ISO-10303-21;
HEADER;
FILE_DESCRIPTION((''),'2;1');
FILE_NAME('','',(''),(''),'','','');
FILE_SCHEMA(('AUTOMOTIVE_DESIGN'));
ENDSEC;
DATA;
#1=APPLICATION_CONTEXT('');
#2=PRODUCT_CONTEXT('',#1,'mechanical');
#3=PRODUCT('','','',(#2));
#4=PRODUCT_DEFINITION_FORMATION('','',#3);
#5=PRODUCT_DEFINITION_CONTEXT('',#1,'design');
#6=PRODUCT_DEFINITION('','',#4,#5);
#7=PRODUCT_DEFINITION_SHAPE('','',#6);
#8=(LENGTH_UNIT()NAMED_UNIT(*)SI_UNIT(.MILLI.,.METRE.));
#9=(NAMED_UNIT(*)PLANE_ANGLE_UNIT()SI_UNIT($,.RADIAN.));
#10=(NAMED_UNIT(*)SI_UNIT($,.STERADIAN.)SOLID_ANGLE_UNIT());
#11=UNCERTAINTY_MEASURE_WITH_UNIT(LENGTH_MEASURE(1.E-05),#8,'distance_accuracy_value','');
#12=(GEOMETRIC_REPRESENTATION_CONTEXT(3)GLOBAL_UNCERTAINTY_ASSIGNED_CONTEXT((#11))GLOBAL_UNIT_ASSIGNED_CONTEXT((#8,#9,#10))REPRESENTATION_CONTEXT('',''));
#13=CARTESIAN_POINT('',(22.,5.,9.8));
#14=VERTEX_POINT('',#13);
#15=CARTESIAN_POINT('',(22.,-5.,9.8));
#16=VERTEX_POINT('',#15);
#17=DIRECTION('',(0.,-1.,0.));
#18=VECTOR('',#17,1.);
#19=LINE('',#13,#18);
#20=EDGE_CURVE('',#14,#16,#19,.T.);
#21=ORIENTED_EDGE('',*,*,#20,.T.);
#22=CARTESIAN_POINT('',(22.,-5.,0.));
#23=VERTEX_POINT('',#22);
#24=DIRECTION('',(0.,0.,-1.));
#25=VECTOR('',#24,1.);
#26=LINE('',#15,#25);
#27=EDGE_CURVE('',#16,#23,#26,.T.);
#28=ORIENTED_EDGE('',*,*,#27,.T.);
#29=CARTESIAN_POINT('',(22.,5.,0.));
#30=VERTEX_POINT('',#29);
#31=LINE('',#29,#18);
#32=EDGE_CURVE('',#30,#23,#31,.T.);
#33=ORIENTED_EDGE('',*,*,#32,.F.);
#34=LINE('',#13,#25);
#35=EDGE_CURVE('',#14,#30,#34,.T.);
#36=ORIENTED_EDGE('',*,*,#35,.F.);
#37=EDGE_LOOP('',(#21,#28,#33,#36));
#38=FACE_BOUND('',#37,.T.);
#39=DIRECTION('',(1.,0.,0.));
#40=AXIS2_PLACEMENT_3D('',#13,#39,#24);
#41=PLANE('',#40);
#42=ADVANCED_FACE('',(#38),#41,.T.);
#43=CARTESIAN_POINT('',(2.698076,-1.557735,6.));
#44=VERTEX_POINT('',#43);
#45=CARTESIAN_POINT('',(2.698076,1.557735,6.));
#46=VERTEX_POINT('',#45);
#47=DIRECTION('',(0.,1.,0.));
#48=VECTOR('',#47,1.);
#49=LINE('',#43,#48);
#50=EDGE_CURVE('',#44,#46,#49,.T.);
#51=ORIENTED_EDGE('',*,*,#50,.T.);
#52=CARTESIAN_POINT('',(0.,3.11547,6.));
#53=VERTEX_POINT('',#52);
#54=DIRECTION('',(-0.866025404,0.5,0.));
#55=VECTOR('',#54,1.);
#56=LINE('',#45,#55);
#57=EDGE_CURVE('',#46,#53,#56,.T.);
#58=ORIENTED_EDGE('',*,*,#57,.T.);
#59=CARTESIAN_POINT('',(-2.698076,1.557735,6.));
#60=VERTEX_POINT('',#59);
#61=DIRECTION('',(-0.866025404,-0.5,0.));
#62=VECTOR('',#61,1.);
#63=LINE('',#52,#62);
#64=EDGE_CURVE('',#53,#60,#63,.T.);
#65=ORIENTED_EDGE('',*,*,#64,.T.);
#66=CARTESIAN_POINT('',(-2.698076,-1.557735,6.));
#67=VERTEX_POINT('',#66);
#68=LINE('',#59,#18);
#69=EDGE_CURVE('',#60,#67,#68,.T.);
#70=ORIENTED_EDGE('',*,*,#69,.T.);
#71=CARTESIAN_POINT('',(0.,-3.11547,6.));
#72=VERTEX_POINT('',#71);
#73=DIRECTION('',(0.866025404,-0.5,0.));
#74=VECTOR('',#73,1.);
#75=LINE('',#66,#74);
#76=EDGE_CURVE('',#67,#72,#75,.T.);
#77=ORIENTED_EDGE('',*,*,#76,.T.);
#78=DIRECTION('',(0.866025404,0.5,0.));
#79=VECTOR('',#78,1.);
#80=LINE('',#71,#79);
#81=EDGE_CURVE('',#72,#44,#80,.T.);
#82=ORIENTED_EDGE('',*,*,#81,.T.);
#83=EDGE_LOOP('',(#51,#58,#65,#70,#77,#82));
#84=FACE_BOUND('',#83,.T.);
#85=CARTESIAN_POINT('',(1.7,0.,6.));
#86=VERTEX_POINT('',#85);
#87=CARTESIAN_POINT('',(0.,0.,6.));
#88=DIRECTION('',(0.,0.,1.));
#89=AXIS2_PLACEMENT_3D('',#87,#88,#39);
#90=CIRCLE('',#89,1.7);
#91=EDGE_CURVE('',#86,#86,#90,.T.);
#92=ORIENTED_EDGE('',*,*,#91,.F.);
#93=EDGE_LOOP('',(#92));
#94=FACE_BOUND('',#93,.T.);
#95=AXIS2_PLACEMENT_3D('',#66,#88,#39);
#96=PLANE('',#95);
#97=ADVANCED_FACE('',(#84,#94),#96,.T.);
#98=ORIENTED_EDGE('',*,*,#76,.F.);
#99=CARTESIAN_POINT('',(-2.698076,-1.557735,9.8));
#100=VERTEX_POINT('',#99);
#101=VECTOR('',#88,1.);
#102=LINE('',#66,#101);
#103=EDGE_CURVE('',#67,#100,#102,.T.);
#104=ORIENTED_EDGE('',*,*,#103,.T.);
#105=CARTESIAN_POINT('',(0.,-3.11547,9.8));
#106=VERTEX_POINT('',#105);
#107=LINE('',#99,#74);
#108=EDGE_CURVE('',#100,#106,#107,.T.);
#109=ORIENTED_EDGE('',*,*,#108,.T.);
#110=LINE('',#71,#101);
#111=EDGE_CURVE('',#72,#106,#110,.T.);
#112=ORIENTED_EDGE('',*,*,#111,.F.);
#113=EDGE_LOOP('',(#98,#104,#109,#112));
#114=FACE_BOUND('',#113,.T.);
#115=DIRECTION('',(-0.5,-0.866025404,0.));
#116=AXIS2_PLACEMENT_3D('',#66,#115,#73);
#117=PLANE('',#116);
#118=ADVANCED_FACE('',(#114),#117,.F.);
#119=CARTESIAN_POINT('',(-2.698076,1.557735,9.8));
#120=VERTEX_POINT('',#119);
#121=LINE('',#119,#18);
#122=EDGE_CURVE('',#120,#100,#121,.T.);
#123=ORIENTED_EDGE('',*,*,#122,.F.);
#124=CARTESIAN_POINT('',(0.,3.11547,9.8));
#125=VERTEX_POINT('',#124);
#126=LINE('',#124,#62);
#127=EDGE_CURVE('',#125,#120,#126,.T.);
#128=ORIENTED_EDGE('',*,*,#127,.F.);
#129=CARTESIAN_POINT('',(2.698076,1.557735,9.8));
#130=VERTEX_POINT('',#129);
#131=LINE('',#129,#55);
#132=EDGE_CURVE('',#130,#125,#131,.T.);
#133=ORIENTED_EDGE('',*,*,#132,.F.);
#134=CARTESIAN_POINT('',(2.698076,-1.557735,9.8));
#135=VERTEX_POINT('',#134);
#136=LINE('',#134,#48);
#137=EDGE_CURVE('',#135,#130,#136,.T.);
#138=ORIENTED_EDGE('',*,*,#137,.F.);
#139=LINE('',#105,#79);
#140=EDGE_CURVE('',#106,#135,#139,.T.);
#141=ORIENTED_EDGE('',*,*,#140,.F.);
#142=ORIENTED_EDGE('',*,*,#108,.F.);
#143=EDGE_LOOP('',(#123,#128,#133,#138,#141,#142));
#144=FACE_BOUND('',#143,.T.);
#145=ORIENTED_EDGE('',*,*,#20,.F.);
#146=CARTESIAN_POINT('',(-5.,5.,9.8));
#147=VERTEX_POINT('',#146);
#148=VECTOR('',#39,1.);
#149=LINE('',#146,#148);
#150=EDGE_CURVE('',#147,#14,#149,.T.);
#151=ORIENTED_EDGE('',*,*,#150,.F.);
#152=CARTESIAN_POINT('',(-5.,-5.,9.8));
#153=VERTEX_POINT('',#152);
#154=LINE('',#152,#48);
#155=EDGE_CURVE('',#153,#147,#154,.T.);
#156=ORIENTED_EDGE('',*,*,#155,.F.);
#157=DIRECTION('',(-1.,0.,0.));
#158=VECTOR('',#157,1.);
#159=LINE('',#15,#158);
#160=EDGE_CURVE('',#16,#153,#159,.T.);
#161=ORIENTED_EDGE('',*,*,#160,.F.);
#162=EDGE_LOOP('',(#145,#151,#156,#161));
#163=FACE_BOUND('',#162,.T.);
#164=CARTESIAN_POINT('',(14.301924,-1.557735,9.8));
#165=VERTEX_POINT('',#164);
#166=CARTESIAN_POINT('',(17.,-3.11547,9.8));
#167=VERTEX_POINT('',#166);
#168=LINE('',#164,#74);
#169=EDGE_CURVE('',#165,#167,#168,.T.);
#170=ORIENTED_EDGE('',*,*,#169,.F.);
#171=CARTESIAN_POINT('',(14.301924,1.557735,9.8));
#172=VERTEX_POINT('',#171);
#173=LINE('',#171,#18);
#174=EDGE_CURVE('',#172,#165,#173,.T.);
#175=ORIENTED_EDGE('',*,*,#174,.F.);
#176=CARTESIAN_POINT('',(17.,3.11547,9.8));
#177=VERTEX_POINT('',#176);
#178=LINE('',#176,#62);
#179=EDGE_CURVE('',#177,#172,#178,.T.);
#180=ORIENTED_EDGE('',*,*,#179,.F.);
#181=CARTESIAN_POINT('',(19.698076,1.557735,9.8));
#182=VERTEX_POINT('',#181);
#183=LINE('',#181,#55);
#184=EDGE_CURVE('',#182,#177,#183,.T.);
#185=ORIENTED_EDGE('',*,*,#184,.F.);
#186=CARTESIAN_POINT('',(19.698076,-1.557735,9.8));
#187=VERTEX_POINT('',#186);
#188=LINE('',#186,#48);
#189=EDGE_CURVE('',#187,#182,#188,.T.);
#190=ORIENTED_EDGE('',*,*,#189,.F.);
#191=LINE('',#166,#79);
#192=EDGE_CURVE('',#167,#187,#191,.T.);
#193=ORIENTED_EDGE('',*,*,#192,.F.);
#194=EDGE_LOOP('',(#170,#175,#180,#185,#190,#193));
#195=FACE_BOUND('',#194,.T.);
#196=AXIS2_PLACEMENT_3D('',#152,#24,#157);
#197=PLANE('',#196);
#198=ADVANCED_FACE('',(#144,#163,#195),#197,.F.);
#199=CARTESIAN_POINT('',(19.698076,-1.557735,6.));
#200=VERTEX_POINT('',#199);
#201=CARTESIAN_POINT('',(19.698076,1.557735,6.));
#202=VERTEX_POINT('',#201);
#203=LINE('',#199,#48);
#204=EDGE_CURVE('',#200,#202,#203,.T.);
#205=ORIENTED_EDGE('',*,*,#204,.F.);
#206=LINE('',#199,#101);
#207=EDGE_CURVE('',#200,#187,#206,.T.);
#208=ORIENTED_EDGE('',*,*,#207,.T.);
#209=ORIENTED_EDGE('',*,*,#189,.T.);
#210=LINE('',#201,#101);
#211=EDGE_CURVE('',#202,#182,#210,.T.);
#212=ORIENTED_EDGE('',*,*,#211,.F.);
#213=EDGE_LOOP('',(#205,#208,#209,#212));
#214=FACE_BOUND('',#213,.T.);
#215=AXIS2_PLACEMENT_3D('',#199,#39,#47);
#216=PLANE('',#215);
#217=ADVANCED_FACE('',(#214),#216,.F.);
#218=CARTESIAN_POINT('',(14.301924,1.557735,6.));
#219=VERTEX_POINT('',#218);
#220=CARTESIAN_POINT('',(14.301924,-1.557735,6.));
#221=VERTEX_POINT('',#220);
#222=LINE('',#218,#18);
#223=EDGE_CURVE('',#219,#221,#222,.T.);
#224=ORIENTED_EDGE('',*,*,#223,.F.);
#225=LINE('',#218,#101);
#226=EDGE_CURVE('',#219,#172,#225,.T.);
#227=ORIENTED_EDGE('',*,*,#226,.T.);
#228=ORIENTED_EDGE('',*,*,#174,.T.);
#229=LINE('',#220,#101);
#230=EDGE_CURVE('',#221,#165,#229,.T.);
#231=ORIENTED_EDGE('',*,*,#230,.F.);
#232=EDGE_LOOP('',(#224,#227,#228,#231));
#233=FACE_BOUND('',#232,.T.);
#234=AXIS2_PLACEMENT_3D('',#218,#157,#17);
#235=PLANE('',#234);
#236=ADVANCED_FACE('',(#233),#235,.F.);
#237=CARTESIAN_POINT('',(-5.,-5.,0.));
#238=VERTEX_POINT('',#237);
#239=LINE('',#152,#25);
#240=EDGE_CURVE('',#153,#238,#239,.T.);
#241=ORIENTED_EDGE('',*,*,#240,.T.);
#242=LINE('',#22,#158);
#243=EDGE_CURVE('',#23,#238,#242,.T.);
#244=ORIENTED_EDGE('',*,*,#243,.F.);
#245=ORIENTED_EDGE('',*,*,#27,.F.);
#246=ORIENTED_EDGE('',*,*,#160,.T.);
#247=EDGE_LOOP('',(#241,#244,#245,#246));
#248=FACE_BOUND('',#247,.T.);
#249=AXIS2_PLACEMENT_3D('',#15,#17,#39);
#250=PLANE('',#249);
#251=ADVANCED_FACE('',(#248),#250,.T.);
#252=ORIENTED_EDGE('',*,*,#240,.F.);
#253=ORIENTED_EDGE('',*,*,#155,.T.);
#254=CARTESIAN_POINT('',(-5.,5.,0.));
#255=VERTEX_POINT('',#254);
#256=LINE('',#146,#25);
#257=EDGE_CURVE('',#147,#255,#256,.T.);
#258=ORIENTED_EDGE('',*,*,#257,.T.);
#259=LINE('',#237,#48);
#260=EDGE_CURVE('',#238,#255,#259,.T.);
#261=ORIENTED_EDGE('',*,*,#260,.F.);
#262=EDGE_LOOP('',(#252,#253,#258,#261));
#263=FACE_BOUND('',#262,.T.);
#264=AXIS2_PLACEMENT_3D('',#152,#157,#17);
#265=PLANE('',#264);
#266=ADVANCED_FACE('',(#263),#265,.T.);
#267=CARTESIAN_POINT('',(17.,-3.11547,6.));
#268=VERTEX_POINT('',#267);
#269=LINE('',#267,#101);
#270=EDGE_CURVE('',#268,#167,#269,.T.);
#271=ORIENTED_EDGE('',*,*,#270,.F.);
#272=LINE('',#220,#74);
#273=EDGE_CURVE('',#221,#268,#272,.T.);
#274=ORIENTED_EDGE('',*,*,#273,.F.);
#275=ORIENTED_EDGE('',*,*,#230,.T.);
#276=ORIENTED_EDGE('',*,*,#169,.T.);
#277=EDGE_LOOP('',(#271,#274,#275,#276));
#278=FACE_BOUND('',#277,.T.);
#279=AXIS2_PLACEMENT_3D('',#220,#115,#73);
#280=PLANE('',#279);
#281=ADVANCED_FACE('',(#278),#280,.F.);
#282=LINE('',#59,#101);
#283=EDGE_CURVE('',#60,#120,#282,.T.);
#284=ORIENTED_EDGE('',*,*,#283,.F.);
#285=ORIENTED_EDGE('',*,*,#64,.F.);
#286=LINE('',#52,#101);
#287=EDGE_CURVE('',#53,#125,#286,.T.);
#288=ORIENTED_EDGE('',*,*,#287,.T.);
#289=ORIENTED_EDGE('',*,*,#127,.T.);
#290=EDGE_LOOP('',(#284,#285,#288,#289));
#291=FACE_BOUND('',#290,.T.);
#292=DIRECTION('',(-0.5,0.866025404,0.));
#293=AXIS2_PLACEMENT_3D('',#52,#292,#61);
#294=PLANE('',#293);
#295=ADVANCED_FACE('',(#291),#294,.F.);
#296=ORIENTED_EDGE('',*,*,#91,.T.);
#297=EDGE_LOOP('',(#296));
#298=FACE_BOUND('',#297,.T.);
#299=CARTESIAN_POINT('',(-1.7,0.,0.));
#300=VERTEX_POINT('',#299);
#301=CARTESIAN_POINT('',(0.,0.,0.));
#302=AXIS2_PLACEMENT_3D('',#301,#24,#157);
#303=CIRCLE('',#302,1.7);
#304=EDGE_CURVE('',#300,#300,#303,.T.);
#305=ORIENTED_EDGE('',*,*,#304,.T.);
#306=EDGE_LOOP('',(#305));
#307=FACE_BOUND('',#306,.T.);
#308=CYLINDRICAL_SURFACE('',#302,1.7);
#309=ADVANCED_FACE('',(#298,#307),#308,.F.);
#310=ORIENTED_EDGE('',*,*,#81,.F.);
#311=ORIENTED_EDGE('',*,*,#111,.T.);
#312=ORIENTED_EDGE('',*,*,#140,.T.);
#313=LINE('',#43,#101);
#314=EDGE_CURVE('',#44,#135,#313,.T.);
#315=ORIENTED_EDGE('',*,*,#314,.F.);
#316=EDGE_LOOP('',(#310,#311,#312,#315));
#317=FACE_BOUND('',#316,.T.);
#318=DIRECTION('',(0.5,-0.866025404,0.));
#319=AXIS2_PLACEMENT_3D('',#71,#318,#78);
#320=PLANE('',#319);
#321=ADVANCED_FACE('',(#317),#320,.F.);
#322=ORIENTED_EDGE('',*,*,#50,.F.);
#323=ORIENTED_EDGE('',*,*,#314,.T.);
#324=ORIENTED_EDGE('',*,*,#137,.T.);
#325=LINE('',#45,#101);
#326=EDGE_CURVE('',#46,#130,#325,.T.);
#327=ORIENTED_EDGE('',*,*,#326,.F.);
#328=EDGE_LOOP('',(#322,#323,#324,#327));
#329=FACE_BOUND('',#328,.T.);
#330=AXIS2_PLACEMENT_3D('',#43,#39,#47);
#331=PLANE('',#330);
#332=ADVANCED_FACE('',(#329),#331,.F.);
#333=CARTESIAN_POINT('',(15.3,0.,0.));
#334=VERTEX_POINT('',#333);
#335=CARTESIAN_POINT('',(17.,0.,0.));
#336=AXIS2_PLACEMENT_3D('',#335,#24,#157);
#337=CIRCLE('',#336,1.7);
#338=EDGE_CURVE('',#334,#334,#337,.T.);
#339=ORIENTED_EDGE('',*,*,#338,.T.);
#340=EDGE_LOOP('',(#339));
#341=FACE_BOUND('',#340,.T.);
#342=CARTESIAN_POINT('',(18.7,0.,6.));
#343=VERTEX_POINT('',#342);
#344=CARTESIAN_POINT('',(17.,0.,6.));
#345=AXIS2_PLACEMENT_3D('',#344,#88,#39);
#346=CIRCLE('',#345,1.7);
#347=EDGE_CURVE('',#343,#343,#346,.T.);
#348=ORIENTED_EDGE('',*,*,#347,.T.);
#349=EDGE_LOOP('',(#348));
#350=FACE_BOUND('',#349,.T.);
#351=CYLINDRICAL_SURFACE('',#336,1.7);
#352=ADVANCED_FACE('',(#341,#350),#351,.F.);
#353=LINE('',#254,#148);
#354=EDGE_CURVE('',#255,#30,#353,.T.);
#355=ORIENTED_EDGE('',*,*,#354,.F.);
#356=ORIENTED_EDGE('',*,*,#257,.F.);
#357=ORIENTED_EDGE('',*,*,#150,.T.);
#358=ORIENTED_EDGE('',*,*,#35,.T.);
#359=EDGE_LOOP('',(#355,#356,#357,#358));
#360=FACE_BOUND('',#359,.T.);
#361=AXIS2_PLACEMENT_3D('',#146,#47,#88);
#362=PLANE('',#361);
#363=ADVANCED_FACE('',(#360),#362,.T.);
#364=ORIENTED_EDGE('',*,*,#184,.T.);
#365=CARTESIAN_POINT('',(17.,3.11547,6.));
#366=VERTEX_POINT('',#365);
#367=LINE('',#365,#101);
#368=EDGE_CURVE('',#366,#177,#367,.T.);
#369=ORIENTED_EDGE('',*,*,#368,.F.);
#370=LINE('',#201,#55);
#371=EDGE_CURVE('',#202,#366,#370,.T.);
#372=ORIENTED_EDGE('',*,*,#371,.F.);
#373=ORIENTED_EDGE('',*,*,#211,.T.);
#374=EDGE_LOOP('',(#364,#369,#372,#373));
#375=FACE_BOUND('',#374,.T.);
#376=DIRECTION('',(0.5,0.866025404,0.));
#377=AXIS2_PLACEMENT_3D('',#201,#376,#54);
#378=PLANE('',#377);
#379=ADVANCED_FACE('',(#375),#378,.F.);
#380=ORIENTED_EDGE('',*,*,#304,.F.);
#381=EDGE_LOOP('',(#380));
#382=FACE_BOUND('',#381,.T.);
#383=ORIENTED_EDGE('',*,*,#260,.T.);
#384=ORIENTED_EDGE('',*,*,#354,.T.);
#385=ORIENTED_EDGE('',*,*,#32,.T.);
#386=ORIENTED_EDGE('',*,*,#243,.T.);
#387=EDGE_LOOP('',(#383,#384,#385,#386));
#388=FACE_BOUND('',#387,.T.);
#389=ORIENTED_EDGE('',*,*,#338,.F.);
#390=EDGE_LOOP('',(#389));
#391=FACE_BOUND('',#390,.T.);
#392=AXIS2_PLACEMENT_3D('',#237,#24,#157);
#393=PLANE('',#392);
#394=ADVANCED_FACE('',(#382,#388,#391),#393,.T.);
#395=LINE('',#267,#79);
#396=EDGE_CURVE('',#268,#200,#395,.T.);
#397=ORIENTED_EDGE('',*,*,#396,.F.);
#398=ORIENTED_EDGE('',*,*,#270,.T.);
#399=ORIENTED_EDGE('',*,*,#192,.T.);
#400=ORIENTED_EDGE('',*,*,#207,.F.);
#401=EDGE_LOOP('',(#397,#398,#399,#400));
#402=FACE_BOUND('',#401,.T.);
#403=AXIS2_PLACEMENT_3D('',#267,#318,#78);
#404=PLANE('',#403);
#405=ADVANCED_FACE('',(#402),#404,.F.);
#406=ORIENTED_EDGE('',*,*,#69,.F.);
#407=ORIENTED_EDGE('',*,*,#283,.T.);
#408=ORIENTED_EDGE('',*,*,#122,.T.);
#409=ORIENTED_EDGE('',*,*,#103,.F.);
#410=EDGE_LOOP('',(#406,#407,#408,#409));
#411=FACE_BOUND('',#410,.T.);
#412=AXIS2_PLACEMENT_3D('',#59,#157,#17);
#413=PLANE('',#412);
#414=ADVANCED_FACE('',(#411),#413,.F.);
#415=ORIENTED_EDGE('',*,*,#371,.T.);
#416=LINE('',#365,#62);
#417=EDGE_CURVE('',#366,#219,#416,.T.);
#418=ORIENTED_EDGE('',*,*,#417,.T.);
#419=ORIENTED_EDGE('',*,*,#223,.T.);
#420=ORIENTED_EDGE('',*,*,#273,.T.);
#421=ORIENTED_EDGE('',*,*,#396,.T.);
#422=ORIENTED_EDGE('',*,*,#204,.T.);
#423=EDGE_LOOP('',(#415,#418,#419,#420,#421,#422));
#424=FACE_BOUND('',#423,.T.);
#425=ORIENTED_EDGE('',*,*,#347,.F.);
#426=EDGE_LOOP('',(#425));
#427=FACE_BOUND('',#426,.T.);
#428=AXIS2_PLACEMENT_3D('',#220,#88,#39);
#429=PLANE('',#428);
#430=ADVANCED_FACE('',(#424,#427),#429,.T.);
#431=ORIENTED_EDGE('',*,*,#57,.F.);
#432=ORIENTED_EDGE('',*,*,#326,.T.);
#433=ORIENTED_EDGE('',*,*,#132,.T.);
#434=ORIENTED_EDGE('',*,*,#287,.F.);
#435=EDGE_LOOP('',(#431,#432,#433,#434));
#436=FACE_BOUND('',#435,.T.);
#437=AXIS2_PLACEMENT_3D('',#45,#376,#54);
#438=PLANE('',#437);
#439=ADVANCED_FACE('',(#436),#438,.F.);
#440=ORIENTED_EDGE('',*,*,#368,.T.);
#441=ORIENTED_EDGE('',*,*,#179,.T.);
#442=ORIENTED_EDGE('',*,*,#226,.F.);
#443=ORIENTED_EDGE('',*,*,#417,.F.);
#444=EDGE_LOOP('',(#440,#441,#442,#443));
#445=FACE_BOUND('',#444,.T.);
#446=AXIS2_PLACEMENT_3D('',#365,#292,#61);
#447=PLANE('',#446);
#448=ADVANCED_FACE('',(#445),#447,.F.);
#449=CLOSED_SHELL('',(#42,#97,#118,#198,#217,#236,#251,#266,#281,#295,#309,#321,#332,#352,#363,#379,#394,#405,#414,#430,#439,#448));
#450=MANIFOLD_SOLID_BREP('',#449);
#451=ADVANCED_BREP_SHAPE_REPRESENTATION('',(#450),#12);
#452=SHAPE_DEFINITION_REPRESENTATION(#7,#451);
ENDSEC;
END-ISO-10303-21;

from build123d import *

# Parameters (mm, degrees)
SKETCH1_W           = 27
SKETCH1_H           = 10
BOSS_EXTRUDE1_DEPTH = 9.8
CUT_EXTRUDE1_DEPTH  = 3.8
CUT_EXTRUDE2_DEPTH  = 3.8
HOLE1_D             = 3.4
HOLE1_DEPTH         = 9.8
HOLE2_D             = 3.4
HOLE2_DEPTH         = 9.8


with BuildPart() as part:
    # Sketch1 → Boss-Extrude1 (new body)
    with BuildSketch(Plane(origin=(0, 0, 0), x_dir=(-1, 0, 0), z_dir=(0, 0, -1))):
        with Locations((-8.5, 0)):
            Rectangle(SKETCH1_W, SKETCH1_H)
    extrude(amount=-BOSS_EXTRUDE1_DEPTH)

    # Sketch2 → Cut-Extrude1 (cut)
    with BuildSketch(Plane.XY.offset(9.8)):
        Polygon((-2.698076211, -1.557735027), (0, -3.115470054), (2.698076211, -1.557735027), (2.698076211, 1.557735027), (0, 3.115470054), (-2.698076211, 1.557735027), align=None)
    extrude(amount=-CUT_EXTRUDE1_DEPTH, mode=Mode.SUBTRACT)

    # Sketch3 → Cut-Extrude2 (cut)
    with BuildSketch(Plane.XY.offset(9.8)):
        Polygon((14.301923789, -1.557735027), (17, -3.115470054), (19.698076211, -1.557735027), (19.698076211, 1.557735027), (17, 3.115470054), (14.301923789, 1.557735027), align=None)
    extrude(amount=-CUT_EXTRUDE2_DEPTH, mode=Mode.SUBTRACT)

    # Hole1
    with Locations(Plane(origin=(0, 0, 0), x_dir=(-1, 0, 0), z_dir=(0, 0, -1))):
        with Locations((0, 0)):
            Hole(HOLE1_D / 2, depth=HOLE1_DEPTH)

    # Hole2
    with Locations(Plane(origin=(0, 0, 0), x_dir=(-1, 0, 0), z_dir=(0, 0, -1))):
        with Locations((-17, 0)):
            Hole(HOLE2_D / 2, depth=HOLE2_DEPTH)


solid = part.part
